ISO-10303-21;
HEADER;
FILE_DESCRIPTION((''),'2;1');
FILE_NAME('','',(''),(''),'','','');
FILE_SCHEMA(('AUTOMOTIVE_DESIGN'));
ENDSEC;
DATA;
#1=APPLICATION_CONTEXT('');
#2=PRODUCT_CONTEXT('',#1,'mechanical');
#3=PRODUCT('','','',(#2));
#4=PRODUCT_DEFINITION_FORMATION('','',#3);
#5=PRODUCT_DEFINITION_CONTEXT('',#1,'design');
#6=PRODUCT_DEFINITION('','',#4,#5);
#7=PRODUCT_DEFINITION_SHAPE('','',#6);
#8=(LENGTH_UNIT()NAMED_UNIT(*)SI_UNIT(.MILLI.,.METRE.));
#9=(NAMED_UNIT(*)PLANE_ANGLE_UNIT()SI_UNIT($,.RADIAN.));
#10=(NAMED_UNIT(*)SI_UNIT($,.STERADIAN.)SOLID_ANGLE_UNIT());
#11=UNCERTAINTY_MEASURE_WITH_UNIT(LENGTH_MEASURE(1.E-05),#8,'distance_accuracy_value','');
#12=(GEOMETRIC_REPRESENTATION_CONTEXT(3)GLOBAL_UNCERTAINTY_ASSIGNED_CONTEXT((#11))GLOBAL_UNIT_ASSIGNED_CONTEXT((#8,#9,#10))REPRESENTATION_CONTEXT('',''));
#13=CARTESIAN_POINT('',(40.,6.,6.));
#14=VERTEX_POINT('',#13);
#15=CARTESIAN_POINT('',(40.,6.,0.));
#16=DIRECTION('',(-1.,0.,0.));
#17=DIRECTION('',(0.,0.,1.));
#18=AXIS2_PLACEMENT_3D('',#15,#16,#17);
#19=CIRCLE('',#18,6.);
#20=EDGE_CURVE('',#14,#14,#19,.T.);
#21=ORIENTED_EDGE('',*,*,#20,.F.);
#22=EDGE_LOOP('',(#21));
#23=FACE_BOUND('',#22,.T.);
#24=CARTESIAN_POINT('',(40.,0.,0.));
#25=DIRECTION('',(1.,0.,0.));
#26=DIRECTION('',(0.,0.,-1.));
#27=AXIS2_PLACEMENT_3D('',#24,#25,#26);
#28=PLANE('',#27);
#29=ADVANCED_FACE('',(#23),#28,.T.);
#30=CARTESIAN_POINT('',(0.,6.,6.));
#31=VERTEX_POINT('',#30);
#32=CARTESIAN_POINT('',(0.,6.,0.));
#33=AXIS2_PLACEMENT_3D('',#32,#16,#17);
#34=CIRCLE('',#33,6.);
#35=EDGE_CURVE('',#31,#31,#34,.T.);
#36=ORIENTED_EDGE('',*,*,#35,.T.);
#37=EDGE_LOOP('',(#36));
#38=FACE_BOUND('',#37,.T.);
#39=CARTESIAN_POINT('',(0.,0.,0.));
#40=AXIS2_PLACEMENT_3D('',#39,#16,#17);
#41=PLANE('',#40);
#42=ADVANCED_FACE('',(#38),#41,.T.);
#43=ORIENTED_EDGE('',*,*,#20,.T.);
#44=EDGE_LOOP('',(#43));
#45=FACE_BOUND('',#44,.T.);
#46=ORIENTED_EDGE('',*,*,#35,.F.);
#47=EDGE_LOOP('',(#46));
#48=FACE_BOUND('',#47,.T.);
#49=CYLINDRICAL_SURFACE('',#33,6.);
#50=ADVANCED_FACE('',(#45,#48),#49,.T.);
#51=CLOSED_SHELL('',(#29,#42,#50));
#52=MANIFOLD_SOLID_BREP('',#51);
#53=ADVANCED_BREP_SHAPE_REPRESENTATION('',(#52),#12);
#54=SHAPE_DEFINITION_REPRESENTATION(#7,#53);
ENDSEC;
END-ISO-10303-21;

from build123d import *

# Parameters (mm, degrees)
SCHIZZO1_W = 40
SCHIZZO1_H = 6


with BuildPart() as part:
    # Schizzo1 → Rivoluzione1 (revolve)
    with BuildSketch(Plane.XY):
        with Locations((20, 3)):
            Rectangle(SCHIZZO1_W, SCHIZZO1_H)
    revolve(axis=Axis((0, 6, 0), (1, 0, 0)))


solid = part.part
